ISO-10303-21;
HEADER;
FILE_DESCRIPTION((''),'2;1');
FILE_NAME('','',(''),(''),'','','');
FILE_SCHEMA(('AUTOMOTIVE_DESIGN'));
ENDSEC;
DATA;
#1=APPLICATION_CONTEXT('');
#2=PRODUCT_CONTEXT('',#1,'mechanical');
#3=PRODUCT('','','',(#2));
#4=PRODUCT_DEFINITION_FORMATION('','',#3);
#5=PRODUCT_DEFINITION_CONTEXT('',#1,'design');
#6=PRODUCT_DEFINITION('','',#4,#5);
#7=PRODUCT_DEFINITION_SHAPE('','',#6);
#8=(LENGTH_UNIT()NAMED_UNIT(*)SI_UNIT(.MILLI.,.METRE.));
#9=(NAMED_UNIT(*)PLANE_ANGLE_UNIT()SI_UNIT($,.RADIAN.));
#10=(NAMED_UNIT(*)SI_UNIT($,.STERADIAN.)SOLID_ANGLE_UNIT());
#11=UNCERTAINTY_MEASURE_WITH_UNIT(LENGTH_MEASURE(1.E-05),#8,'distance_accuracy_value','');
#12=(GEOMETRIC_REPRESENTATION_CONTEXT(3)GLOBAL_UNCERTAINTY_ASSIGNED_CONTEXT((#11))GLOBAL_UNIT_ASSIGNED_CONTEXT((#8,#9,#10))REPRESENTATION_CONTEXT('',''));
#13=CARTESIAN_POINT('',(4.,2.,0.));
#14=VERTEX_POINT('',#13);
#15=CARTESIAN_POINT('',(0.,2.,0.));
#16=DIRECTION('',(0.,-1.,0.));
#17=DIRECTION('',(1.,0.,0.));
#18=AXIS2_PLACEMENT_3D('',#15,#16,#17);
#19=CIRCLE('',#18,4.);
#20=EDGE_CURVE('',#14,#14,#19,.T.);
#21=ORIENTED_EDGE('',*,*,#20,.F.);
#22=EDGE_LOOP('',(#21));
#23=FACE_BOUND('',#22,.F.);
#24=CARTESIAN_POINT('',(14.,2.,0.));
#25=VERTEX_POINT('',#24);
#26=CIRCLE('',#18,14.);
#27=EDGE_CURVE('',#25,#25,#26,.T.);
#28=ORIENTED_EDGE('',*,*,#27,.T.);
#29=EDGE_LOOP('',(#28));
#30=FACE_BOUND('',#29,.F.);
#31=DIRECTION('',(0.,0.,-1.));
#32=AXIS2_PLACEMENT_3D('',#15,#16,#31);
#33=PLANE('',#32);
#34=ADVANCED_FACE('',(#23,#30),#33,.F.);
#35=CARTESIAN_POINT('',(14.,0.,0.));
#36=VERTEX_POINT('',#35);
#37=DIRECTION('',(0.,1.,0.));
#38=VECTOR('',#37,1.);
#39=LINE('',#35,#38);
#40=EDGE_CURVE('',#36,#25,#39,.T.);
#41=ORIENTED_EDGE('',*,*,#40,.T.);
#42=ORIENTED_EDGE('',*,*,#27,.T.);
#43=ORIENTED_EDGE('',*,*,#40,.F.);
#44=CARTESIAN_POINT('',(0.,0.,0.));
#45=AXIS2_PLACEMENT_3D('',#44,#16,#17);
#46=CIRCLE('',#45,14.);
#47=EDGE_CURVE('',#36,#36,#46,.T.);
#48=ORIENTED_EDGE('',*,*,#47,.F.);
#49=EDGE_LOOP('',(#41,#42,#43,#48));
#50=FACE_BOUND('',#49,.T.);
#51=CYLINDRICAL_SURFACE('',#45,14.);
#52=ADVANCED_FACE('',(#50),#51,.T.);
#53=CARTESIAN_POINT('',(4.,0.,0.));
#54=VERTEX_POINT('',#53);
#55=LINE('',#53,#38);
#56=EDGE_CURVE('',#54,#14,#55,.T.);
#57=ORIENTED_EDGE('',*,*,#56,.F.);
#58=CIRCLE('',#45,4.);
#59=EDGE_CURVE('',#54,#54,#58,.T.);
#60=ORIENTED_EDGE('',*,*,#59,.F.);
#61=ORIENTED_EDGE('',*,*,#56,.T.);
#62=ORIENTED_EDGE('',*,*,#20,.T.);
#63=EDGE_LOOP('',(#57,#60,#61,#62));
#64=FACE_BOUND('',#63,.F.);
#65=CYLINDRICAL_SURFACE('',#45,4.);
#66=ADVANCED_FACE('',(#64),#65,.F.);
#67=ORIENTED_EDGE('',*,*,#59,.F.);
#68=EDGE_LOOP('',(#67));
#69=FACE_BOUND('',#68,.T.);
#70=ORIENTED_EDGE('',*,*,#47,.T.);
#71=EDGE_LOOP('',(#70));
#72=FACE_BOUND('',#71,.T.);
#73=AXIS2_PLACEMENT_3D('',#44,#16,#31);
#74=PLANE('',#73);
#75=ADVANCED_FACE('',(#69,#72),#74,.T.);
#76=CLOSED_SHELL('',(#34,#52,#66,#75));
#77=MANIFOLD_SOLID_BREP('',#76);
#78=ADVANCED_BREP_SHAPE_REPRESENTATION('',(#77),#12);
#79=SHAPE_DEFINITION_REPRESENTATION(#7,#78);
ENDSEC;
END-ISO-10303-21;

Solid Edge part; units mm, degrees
sketch "Sketch1" plane through (0, 0, 0) normal (0, -1, 0) x (1, 0, 0)
  circle A0 centre (0, 0) radius 14
  circle A1 centre (0, 0) radius 4
  dimension "D1" = 8
  dimension "D2" = 28
extrude "Protrusion1" add sketch "Sketch1" against normal blind 2
